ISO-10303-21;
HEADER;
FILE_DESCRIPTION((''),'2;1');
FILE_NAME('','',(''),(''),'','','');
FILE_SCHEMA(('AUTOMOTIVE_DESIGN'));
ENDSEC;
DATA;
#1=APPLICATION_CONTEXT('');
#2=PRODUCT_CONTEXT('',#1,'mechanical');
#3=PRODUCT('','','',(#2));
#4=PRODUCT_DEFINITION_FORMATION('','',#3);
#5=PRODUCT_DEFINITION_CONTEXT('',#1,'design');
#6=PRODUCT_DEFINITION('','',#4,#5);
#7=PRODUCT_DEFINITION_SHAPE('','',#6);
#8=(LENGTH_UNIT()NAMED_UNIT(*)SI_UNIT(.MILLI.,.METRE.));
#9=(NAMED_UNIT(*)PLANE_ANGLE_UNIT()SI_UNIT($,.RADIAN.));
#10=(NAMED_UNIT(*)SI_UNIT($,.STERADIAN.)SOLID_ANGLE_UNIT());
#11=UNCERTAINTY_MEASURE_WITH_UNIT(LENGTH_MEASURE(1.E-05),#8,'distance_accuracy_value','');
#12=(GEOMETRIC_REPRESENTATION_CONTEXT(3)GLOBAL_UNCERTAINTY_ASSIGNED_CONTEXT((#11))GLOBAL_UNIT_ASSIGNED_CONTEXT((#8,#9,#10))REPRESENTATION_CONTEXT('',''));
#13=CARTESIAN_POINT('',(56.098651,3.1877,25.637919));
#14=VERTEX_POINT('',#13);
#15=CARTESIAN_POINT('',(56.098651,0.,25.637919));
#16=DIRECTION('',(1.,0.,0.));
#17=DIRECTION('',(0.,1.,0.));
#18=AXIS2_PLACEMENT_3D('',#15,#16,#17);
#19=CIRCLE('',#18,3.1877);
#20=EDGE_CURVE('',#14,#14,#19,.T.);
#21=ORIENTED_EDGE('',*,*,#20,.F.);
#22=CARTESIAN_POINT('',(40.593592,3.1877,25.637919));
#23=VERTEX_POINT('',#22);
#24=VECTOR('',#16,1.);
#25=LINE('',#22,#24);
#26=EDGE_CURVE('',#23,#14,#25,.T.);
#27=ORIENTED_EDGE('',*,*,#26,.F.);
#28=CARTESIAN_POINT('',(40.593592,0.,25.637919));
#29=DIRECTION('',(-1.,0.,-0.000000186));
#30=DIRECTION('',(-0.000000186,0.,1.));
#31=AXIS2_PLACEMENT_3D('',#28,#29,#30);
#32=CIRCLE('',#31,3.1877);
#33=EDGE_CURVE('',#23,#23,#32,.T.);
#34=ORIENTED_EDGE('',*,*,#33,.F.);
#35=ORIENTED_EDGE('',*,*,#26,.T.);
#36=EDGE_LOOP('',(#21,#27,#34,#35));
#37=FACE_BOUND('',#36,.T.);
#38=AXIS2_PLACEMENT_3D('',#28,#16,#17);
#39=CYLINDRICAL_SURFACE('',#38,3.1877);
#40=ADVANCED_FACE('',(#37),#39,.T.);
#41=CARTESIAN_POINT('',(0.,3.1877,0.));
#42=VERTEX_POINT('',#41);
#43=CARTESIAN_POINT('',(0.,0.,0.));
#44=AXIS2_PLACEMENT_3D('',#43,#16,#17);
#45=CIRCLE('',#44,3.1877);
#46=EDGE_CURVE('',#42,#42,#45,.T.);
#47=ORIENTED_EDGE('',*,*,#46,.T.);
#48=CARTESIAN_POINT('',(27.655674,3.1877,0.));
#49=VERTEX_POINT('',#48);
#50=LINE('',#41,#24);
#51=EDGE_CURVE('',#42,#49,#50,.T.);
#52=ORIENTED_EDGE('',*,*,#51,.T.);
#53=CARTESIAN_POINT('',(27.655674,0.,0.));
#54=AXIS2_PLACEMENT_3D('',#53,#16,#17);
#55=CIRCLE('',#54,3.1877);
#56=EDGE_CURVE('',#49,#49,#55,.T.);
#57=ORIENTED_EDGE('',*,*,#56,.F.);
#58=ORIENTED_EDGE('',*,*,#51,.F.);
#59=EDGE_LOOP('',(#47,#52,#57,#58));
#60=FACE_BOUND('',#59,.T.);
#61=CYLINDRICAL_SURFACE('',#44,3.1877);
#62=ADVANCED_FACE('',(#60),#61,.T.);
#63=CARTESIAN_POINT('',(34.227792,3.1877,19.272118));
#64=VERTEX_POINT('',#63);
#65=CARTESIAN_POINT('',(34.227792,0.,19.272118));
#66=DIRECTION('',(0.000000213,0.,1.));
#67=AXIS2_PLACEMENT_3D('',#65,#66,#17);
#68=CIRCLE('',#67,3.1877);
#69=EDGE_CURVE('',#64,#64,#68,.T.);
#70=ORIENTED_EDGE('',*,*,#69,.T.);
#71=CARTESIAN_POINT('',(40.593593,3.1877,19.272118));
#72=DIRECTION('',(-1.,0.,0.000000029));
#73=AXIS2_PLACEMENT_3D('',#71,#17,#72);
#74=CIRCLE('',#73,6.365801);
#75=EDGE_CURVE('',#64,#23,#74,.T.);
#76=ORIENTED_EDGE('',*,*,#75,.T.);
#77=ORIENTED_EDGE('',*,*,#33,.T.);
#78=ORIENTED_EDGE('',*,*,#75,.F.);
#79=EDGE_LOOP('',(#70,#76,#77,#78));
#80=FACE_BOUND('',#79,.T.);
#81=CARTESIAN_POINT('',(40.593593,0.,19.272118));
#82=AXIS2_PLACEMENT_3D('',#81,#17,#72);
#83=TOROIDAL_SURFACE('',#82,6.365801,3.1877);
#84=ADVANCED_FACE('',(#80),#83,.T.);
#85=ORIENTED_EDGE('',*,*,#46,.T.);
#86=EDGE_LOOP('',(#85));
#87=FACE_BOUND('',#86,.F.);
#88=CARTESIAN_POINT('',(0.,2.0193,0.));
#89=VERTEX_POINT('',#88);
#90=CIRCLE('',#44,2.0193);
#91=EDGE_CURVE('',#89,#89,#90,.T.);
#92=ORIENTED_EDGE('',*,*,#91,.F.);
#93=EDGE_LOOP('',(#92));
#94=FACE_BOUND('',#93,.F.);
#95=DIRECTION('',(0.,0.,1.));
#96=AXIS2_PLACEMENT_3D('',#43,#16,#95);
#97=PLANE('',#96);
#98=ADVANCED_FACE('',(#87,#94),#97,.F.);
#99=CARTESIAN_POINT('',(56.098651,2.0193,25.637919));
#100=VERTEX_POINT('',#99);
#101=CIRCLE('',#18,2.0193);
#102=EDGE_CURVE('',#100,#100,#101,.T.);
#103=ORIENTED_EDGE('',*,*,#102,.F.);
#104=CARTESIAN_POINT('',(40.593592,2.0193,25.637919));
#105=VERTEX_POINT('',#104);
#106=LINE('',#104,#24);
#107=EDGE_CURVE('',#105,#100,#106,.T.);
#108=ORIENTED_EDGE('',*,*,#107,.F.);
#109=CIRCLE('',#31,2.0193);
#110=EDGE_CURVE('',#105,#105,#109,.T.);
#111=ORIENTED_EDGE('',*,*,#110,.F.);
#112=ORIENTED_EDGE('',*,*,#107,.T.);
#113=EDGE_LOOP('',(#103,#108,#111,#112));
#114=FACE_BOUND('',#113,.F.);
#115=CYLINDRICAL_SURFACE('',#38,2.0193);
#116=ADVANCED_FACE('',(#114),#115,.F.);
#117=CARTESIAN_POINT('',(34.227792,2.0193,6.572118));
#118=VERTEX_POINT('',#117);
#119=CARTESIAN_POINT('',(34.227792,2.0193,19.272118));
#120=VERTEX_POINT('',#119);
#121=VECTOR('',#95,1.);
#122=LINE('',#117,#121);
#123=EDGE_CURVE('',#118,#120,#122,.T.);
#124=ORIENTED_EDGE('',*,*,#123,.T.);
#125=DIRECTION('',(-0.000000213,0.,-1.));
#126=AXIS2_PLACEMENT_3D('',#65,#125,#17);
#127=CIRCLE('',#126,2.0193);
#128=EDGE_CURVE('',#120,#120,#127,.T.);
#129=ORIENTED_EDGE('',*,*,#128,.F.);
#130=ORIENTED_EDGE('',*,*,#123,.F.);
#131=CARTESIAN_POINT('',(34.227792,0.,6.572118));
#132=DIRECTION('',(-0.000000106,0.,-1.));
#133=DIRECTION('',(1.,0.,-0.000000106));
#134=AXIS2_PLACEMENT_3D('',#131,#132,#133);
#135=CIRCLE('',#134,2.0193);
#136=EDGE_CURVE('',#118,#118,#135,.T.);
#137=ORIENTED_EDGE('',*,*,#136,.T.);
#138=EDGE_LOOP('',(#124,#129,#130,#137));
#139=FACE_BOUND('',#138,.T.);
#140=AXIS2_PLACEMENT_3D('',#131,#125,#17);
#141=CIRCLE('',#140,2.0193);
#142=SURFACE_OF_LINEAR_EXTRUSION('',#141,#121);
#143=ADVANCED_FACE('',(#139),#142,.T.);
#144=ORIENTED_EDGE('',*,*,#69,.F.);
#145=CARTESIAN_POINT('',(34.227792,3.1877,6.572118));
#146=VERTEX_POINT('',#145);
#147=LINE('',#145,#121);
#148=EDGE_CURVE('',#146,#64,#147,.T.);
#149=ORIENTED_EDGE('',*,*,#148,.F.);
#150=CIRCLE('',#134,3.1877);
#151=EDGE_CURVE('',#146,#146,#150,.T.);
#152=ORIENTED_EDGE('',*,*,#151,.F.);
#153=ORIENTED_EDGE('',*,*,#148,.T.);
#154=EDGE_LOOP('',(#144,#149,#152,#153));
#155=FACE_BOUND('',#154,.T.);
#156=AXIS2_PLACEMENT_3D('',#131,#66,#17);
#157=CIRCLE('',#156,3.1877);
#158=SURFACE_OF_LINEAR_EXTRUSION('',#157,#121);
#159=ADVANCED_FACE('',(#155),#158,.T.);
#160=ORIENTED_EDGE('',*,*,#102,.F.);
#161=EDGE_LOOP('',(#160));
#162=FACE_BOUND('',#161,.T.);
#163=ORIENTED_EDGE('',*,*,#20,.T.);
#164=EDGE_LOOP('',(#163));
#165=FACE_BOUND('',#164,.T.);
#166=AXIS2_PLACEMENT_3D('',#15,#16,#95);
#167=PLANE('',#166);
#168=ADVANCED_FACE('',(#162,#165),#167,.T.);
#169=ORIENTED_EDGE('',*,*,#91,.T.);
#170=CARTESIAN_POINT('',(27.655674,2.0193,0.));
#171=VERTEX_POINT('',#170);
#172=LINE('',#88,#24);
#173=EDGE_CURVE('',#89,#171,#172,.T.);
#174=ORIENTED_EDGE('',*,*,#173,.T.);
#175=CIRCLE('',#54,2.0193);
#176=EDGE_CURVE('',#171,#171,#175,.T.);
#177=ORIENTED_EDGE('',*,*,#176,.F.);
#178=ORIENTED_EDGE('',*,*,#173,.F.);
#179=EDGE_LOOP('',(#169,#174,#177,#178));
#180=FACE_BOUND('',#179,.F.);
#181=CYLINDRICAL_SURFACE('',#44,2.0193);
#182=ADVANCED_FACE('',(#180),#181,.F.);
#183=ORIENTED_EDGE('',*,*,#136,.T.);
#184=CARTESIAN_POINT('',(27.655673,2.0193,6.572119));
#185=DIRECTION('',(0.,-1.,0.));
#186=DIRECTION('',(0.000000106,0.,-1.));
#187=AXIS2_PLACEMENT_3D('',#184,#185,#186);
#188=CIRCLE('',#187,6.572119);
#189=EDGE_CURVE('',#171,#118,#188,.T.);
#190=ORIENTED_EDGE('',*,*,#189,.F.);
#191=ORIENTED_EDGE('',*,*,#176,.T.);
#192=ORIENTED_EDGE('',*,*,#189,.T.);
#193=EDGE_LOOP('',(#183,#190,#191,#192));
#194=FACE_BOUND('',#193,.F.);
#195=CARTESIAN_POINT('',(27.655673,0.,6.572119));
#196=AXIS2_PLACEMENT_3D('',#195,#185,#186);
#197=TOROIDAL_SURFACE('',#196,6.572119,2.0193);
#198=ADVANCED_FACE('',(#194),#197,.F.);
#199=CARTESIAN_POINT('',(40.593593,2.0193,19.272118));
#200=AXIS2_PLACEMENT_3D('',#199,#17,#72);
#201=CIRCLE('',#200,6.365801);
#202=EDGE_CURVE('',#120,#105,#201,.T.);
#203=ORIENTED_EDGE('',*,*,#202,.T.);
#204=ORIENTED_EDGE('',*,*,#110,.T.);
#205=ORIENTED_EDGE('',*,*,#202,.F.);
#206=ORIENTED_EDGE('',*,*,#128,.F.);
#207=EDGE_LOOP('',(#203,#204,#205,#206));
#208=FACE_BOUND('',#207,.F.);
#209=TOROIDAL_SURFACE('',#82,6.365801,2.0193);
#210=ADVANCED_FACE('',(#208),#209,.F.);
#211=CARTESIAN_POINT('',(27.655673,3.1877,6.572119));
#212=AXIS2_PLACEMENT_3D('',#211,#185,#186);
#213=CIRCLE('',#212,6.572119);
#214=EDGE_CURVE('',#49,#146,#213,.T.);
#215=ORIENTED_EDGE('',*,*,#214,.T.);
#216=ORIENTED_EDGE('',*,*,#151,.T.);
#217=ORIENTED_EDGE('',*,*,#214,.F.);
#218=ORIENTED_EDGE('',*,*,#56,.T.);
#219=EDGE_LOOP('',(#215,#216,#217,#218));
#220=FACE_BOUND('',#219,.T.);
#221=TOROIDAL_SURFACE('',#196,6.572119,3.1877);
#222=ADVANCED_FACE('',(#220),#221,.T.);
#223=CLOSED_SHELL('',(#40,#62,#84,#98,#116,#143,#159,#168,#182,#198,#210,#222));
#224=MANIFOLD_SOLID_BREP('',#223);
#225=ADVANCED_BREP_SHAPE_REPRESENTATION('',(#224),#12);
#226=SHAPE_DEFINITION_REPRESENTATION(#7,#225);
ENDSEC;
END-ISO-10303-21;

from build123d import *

# Parameters (mm, degrees)
F0_R   = 3.1877
F0_R_2 = 2.0193


with BuildPart() as f2:
    # F2: sweep along a path in F1
    with BuildLine(Plane.XZ) as f2_path:
        Line((0, 0), (27.655674, 0))
        ThreePointArc((27.655674, 0), (32.302863, 1.924929), (34.227792, 6.572118))
        Line((34.227792, 6.572118), (34.227792, 19.272118))
        ThreePointArc((34.227792, 19.272118), (36.092292, 23.773419), (40.593592, 25.637919))
        Line((40.593592, 25.637919), (56.098651, 25.637919))
    # F0 (on Right) → F2 (sweep)
    with BuildSketch(Plane.YZ):
        Circle(F0_R)
        Circle(F0_R_2, mode=Mode.SUBTRACT)
    sweep(path=f2_path.line)


solid = f2.part
